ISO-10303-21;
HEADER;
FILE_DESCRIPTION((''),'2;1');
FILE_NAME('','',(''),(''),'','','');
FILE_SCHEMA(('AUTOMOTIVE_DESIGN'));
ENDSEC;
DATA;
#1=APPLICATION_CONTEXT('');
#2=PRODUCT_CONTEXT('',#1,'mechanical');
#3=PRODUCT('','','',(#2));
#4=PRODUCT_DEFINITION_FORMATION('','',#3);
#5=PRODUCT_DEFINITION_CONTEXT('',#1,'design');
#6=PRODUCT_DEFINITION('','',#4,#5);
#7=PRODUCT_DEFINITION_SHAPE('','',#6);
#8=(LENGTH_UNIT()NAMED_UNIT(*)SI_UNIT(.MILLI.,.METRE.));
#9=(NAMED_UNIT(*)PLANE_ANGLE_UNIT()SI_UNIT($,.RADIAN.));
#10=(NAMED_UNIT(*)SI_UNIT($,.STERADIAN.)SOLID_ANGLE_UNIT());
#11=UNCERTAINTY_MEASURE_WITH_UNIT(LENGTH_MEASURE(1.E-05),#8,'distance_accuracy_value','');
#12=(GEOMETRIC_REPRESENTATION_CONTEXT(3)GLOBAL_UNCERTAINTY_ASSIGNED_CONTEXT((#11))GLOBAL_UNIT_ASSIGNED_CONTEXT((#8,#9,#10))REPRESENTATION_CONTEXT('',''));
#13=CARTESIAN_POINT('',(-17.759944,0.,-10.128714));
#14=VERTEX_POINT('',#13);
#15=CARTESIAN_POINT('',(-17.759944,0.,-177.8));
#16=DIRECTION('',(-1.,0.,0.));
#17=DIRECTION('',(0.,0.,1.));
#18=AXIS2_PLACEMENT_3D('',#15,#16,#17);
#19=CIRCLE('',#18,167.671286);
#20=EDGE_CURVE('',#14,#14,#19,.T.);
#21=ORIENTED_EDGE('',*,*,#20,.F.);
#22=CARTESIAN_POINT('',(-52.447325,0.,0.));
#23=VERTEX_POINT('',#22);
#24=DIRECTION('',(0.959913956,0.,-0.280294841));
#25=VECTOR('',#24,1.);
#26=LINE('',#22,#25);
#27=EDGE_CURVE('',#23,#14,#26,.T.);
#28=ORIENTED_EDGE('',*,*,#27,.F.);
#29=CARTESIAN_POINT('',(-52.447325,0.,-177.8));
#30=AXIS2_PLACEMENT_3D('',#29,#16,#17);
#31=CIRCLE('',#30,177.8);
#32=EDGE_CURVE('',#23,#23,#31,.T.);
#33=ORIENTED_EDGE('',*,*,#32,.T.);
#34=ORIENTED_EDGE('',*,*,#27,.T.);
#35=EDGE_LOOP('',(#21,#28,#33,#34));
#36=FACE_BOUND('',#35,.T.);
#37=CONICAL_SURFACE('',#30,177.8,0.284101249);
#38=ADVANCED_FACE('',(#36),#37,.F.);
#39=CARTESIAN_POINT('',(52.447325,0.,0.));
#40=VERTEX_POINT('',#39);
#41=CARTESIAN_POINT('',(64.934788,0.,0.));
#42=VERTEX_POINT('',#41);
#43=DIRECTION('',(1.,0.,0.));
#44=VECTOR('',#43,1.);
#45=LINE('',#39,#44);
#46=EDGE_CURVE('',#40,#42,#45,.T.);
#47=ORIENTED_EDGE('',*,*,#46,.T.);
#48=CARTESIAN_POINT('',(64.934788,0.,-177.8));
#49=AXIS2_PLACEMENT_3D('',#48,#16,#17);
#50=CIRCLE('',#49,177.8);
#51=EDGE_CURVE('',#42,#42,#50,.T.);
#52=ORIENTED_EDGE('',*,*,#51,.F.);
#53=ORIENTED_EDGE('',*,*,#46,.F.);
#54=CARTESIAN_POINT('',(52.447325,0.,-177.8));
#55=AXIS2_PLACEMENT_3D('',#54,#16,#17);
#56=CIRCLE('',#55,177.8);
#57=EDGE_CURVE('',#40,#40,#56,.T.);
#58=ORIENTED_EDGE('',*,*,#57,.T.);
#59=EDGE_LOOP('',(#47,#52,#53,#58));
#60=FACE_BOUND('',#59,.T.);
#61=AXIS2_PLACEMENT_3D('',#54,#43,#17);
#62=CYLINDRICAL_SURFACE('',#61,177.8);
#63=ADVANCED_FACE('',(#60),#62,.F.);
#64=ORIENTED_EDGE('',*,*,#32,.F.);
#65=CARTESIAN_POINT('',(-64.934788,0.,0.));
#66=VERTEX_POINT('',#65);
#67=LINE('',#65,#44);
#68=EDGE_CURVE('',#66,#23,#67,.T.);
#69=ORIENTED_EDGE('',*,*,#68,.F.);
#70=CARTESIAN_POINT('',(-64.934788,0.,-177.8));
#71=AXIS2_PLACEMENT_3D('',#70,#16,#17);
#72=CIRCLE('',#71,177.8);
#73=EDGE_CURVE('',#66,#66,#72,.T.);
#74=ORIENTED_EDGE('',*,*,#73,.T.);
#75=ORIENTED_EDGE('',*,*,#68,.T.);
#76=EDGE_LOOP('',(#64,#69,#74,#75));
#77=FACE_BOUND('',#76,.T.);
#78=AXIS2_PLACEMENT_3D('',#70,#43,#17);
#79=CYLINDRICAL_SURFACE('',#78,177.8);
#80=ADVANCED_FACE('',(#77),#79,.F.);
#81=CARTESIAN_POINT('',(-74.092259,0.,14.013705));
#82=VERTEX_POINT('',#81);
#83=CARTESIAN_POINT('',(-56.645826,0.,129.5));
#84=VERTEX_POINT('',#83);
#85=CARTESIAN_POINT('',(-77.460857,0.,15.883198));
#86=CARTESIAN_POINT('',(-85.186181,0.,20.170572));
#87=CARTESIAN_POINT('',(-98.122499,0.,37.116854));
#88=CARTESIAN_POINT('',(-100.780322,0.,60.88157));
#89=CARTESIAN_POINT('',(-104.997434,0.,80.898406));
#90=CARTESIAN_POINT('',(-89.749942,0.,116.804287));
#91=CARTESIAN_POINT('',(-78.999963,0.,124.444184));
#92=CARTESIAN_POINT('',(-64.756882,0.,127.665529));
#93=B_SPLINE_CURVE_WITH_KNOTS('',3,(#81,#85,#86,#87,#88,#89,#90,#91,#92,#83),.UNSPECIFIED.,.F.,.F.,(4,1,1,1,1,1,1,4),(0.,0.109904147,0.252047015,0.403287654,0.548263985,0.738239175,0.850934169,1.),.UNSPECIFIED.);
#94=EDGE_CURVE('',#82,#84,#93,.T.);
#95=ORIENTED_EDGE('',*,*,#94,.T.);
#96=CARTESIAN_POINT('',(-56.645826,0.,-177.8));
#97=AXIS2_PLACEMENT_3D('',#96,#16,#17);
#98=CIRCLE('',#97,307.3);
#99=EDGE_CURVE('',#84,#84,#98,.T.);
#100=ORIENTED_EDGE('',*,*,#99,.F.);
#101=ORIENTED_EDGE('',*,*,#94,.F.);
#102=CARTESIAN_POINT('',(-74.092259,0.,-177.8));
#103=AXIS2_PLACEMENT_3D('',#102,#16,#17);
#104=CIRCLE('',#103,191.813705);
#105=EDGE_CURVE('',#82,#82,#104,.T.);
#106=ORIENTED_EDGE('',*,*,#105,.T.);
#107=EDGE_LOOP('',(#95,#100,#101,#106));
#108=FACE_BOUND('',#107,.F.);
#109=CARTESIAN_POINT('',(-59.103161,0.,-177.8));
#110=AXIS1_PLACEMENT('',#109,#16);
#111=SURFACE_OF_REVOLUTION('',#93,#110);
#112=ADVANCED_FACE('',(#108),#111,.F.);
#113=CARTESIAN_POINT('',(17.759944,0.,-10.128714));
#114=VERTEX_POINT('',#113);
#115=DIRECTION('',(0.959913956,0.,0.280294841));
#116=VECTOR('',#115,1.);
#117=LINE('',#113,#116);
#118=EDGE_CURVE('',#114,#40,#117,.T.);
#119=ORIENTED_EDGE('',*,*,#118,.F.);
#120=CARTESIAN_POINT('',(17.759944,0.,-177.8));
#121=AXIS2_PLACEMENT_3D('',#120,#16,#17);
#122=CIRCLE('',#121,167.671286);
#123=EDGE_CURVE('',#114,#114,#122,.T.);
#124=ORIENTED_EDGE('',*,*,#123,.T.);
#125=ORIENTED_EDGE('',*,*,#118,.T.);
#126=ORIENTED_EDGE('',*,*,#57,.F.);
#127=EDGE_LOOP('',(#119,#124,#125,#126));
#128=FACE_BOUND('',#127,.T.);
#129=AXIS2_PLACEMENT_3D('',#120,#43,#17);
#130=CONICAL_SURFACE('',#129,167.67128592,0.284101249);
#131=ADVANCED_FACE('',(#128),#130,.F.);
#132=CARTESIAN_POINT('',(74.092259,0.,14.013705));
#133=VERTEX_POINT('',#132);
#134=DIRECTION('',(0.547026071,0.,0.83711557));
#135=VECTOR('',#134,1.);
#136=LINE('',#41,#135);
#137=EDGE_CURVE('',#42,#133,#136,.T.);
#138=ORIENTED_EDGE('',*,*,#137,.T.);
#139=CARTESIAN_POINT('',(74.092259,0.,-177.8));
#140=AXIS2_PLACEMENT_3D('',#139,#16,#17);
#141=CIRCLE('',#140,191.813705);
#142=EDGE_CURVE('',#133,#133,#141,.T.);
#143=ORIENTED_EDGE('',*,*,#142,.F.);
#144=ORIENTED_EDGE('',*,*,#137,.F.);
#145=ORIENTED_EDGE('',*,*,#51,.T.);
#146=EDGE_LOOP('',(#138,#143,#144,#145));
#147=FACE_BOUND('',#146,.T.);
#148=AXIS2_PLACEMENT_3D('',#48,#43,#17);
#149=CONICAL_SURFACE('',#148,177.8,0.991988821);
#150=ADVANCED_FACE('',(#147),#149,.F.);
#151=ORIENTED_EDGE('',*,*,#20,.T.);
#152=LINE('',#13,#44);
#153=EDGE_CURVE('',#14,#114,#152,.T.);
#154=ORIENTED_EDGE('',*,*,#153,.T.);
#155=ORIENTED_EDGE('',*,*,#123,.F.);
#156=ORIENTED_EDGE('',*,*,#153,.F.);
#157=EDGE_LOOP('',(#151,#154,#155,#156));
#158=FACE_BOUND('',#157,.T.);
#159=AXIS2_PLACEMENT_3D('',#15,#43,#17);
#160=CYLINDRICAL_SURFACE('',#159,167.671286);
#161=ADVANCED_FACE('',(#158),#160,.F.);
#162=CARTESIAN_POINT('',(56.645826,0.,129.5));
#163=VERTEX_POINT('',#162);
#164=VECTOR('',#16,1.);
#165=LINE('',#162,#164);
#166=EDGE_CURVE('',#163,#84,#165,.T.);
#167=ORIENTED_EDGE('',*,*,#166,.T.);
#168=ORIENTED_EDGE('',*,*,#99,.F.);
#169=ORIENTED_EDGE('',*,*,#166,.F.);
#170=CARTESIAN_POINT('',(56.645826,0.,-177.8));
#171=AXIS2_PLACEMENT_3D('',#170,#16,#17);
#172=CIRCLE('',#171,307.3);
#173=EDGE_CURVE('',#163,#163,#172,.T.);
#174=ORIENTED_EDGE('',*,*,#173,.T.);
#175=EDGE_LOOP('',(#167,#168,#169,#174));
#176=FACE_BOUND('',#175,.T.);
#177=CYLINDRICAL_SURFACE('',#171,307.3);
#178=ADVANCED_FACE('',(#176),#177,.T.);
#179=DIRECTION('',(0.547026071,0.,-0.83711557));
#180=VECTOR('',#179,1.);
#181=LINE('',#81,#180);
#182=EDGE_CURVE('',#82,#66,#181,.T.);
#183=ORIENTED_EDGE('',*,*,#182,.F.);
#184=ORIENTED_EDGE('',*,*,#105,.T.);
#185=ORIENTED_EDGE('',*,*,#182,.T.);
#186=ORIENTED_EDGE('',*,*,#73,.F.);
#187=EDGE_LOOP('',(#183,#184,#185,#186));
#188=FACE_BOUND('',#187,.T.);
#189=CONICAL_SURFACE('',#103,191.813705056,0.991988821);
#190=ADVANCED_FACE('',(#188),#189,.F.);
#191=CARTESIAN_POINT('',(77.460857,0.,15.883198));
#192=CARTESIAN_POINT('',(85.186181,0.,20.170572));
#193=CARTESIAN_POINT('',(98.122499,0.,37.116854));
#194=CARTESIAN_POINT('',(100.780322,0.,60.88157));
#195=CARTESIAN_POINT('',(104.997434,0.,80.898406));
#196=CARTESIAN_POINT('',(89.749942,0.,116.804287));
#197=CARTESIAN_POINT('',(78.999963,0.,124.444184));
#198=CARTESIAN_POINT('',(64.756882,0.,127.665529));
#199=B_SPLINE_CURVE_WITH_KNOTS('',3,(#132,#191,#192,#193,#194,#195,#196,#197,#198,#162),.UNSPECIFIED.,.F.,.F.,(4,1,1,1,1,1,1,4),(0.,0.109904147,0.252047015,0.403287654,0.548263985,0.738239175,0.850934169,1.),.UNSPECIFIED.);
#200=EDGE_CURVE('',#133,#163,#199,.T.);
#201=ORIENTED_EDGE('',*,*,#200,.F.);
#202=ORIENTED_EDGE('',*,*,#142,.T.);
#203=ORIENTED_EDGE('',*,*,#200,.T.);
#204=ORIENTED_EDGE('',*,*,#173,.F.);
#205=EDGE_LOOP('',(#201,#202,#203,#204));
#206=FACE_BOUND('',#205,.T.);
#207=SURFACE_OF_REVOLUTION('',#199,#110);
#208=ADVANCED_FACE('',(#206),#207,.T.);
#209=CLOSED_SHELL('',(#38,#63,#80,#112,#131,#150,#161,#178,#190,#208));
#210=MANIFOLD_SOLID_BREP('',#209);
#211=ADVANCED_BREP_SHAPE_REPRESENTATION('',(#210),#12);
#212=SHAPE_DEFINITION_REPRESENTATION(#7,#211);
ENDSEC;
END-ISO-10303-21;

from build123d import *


with BuildPart() as f1:
    # F0 (on Front) → F1 (revolve)
    with BuildSketch(Plane.XZ):
        with BuildLine():
            Line((17.7599439915, -10.1287140796), (52.4473251715, 0))
            Line((52.4473251715, 0), (64.9347876875, 0))
            Line((64.9347876875, 0), (74.0922592328, 14.0137050555))
            add(Edge.make_bspline(
                [(74.0922592328, 14.0137050555), (77.460857379, 15.8831982669), (85.1861810436, 20.1705722785), (98.1224992698, 37.1168542101), (100.7803224981, 60.881569733), (104.9974342753, 80.898405937), (89.7499416824, 116.8042871993), (78.9999632091, 124.444184055), (64.7568817465, 127.6655294416), (56.6458255053, 129.5)],
                knots=[0, 0, 0, 0, 0.1099041468, 0.2520470146, 0.4032876545, 0.5482639847, 0.7382391755, 0.8509341693, 1, 1, 1, 1], degree=3))
            Line((56.6458255053, 129.5), (0, 129.5))
            Line((0, 129.5), (-56.6458255053, 129.5))
            add(Edge.make_bspline(
                [(-74.0922592328, 14.0137050555), (-77.460857379, 15.8831982669), (-85.1861810436, 20.1705722785), (-98.1224992698, 37.1168542101), (-100.7803224981, 60.881569733), (-104.9974342753, 80.898405937), (-89.7499416824, 116.8042871993), (-78.9999632091, 124.444184055), (-64.7568817465, 127.6655294416), (-56.6458255053, 129.5)],
                knots=[0, 0, 0, 0, 0.1099041468, 0.2520470146, 0.4032876545, 0.5482639847, 0.7382391755, 0.8509341693, 1, 1, 1, 1], degree=3))
            Line((-74.0922592328, 14.0137050555), (-64.9347876875, 0))
            Line((-64.9347876875, 0), (-52.4473251715, 0))
            Line((-52.4473251715, 0), (-17.7599439915, -10.1287140796))
            Line((-17.7599439915, -10.1287140796), (0, -10.1287140796))
            Line((0, -10.1287140796), (17.7599439915, -10.1287140796))
        make_face()
    revolve(axis=Axis((-59.1031610966, 0, -177.8), (-1, 0, 0)))


solid = f1.part
